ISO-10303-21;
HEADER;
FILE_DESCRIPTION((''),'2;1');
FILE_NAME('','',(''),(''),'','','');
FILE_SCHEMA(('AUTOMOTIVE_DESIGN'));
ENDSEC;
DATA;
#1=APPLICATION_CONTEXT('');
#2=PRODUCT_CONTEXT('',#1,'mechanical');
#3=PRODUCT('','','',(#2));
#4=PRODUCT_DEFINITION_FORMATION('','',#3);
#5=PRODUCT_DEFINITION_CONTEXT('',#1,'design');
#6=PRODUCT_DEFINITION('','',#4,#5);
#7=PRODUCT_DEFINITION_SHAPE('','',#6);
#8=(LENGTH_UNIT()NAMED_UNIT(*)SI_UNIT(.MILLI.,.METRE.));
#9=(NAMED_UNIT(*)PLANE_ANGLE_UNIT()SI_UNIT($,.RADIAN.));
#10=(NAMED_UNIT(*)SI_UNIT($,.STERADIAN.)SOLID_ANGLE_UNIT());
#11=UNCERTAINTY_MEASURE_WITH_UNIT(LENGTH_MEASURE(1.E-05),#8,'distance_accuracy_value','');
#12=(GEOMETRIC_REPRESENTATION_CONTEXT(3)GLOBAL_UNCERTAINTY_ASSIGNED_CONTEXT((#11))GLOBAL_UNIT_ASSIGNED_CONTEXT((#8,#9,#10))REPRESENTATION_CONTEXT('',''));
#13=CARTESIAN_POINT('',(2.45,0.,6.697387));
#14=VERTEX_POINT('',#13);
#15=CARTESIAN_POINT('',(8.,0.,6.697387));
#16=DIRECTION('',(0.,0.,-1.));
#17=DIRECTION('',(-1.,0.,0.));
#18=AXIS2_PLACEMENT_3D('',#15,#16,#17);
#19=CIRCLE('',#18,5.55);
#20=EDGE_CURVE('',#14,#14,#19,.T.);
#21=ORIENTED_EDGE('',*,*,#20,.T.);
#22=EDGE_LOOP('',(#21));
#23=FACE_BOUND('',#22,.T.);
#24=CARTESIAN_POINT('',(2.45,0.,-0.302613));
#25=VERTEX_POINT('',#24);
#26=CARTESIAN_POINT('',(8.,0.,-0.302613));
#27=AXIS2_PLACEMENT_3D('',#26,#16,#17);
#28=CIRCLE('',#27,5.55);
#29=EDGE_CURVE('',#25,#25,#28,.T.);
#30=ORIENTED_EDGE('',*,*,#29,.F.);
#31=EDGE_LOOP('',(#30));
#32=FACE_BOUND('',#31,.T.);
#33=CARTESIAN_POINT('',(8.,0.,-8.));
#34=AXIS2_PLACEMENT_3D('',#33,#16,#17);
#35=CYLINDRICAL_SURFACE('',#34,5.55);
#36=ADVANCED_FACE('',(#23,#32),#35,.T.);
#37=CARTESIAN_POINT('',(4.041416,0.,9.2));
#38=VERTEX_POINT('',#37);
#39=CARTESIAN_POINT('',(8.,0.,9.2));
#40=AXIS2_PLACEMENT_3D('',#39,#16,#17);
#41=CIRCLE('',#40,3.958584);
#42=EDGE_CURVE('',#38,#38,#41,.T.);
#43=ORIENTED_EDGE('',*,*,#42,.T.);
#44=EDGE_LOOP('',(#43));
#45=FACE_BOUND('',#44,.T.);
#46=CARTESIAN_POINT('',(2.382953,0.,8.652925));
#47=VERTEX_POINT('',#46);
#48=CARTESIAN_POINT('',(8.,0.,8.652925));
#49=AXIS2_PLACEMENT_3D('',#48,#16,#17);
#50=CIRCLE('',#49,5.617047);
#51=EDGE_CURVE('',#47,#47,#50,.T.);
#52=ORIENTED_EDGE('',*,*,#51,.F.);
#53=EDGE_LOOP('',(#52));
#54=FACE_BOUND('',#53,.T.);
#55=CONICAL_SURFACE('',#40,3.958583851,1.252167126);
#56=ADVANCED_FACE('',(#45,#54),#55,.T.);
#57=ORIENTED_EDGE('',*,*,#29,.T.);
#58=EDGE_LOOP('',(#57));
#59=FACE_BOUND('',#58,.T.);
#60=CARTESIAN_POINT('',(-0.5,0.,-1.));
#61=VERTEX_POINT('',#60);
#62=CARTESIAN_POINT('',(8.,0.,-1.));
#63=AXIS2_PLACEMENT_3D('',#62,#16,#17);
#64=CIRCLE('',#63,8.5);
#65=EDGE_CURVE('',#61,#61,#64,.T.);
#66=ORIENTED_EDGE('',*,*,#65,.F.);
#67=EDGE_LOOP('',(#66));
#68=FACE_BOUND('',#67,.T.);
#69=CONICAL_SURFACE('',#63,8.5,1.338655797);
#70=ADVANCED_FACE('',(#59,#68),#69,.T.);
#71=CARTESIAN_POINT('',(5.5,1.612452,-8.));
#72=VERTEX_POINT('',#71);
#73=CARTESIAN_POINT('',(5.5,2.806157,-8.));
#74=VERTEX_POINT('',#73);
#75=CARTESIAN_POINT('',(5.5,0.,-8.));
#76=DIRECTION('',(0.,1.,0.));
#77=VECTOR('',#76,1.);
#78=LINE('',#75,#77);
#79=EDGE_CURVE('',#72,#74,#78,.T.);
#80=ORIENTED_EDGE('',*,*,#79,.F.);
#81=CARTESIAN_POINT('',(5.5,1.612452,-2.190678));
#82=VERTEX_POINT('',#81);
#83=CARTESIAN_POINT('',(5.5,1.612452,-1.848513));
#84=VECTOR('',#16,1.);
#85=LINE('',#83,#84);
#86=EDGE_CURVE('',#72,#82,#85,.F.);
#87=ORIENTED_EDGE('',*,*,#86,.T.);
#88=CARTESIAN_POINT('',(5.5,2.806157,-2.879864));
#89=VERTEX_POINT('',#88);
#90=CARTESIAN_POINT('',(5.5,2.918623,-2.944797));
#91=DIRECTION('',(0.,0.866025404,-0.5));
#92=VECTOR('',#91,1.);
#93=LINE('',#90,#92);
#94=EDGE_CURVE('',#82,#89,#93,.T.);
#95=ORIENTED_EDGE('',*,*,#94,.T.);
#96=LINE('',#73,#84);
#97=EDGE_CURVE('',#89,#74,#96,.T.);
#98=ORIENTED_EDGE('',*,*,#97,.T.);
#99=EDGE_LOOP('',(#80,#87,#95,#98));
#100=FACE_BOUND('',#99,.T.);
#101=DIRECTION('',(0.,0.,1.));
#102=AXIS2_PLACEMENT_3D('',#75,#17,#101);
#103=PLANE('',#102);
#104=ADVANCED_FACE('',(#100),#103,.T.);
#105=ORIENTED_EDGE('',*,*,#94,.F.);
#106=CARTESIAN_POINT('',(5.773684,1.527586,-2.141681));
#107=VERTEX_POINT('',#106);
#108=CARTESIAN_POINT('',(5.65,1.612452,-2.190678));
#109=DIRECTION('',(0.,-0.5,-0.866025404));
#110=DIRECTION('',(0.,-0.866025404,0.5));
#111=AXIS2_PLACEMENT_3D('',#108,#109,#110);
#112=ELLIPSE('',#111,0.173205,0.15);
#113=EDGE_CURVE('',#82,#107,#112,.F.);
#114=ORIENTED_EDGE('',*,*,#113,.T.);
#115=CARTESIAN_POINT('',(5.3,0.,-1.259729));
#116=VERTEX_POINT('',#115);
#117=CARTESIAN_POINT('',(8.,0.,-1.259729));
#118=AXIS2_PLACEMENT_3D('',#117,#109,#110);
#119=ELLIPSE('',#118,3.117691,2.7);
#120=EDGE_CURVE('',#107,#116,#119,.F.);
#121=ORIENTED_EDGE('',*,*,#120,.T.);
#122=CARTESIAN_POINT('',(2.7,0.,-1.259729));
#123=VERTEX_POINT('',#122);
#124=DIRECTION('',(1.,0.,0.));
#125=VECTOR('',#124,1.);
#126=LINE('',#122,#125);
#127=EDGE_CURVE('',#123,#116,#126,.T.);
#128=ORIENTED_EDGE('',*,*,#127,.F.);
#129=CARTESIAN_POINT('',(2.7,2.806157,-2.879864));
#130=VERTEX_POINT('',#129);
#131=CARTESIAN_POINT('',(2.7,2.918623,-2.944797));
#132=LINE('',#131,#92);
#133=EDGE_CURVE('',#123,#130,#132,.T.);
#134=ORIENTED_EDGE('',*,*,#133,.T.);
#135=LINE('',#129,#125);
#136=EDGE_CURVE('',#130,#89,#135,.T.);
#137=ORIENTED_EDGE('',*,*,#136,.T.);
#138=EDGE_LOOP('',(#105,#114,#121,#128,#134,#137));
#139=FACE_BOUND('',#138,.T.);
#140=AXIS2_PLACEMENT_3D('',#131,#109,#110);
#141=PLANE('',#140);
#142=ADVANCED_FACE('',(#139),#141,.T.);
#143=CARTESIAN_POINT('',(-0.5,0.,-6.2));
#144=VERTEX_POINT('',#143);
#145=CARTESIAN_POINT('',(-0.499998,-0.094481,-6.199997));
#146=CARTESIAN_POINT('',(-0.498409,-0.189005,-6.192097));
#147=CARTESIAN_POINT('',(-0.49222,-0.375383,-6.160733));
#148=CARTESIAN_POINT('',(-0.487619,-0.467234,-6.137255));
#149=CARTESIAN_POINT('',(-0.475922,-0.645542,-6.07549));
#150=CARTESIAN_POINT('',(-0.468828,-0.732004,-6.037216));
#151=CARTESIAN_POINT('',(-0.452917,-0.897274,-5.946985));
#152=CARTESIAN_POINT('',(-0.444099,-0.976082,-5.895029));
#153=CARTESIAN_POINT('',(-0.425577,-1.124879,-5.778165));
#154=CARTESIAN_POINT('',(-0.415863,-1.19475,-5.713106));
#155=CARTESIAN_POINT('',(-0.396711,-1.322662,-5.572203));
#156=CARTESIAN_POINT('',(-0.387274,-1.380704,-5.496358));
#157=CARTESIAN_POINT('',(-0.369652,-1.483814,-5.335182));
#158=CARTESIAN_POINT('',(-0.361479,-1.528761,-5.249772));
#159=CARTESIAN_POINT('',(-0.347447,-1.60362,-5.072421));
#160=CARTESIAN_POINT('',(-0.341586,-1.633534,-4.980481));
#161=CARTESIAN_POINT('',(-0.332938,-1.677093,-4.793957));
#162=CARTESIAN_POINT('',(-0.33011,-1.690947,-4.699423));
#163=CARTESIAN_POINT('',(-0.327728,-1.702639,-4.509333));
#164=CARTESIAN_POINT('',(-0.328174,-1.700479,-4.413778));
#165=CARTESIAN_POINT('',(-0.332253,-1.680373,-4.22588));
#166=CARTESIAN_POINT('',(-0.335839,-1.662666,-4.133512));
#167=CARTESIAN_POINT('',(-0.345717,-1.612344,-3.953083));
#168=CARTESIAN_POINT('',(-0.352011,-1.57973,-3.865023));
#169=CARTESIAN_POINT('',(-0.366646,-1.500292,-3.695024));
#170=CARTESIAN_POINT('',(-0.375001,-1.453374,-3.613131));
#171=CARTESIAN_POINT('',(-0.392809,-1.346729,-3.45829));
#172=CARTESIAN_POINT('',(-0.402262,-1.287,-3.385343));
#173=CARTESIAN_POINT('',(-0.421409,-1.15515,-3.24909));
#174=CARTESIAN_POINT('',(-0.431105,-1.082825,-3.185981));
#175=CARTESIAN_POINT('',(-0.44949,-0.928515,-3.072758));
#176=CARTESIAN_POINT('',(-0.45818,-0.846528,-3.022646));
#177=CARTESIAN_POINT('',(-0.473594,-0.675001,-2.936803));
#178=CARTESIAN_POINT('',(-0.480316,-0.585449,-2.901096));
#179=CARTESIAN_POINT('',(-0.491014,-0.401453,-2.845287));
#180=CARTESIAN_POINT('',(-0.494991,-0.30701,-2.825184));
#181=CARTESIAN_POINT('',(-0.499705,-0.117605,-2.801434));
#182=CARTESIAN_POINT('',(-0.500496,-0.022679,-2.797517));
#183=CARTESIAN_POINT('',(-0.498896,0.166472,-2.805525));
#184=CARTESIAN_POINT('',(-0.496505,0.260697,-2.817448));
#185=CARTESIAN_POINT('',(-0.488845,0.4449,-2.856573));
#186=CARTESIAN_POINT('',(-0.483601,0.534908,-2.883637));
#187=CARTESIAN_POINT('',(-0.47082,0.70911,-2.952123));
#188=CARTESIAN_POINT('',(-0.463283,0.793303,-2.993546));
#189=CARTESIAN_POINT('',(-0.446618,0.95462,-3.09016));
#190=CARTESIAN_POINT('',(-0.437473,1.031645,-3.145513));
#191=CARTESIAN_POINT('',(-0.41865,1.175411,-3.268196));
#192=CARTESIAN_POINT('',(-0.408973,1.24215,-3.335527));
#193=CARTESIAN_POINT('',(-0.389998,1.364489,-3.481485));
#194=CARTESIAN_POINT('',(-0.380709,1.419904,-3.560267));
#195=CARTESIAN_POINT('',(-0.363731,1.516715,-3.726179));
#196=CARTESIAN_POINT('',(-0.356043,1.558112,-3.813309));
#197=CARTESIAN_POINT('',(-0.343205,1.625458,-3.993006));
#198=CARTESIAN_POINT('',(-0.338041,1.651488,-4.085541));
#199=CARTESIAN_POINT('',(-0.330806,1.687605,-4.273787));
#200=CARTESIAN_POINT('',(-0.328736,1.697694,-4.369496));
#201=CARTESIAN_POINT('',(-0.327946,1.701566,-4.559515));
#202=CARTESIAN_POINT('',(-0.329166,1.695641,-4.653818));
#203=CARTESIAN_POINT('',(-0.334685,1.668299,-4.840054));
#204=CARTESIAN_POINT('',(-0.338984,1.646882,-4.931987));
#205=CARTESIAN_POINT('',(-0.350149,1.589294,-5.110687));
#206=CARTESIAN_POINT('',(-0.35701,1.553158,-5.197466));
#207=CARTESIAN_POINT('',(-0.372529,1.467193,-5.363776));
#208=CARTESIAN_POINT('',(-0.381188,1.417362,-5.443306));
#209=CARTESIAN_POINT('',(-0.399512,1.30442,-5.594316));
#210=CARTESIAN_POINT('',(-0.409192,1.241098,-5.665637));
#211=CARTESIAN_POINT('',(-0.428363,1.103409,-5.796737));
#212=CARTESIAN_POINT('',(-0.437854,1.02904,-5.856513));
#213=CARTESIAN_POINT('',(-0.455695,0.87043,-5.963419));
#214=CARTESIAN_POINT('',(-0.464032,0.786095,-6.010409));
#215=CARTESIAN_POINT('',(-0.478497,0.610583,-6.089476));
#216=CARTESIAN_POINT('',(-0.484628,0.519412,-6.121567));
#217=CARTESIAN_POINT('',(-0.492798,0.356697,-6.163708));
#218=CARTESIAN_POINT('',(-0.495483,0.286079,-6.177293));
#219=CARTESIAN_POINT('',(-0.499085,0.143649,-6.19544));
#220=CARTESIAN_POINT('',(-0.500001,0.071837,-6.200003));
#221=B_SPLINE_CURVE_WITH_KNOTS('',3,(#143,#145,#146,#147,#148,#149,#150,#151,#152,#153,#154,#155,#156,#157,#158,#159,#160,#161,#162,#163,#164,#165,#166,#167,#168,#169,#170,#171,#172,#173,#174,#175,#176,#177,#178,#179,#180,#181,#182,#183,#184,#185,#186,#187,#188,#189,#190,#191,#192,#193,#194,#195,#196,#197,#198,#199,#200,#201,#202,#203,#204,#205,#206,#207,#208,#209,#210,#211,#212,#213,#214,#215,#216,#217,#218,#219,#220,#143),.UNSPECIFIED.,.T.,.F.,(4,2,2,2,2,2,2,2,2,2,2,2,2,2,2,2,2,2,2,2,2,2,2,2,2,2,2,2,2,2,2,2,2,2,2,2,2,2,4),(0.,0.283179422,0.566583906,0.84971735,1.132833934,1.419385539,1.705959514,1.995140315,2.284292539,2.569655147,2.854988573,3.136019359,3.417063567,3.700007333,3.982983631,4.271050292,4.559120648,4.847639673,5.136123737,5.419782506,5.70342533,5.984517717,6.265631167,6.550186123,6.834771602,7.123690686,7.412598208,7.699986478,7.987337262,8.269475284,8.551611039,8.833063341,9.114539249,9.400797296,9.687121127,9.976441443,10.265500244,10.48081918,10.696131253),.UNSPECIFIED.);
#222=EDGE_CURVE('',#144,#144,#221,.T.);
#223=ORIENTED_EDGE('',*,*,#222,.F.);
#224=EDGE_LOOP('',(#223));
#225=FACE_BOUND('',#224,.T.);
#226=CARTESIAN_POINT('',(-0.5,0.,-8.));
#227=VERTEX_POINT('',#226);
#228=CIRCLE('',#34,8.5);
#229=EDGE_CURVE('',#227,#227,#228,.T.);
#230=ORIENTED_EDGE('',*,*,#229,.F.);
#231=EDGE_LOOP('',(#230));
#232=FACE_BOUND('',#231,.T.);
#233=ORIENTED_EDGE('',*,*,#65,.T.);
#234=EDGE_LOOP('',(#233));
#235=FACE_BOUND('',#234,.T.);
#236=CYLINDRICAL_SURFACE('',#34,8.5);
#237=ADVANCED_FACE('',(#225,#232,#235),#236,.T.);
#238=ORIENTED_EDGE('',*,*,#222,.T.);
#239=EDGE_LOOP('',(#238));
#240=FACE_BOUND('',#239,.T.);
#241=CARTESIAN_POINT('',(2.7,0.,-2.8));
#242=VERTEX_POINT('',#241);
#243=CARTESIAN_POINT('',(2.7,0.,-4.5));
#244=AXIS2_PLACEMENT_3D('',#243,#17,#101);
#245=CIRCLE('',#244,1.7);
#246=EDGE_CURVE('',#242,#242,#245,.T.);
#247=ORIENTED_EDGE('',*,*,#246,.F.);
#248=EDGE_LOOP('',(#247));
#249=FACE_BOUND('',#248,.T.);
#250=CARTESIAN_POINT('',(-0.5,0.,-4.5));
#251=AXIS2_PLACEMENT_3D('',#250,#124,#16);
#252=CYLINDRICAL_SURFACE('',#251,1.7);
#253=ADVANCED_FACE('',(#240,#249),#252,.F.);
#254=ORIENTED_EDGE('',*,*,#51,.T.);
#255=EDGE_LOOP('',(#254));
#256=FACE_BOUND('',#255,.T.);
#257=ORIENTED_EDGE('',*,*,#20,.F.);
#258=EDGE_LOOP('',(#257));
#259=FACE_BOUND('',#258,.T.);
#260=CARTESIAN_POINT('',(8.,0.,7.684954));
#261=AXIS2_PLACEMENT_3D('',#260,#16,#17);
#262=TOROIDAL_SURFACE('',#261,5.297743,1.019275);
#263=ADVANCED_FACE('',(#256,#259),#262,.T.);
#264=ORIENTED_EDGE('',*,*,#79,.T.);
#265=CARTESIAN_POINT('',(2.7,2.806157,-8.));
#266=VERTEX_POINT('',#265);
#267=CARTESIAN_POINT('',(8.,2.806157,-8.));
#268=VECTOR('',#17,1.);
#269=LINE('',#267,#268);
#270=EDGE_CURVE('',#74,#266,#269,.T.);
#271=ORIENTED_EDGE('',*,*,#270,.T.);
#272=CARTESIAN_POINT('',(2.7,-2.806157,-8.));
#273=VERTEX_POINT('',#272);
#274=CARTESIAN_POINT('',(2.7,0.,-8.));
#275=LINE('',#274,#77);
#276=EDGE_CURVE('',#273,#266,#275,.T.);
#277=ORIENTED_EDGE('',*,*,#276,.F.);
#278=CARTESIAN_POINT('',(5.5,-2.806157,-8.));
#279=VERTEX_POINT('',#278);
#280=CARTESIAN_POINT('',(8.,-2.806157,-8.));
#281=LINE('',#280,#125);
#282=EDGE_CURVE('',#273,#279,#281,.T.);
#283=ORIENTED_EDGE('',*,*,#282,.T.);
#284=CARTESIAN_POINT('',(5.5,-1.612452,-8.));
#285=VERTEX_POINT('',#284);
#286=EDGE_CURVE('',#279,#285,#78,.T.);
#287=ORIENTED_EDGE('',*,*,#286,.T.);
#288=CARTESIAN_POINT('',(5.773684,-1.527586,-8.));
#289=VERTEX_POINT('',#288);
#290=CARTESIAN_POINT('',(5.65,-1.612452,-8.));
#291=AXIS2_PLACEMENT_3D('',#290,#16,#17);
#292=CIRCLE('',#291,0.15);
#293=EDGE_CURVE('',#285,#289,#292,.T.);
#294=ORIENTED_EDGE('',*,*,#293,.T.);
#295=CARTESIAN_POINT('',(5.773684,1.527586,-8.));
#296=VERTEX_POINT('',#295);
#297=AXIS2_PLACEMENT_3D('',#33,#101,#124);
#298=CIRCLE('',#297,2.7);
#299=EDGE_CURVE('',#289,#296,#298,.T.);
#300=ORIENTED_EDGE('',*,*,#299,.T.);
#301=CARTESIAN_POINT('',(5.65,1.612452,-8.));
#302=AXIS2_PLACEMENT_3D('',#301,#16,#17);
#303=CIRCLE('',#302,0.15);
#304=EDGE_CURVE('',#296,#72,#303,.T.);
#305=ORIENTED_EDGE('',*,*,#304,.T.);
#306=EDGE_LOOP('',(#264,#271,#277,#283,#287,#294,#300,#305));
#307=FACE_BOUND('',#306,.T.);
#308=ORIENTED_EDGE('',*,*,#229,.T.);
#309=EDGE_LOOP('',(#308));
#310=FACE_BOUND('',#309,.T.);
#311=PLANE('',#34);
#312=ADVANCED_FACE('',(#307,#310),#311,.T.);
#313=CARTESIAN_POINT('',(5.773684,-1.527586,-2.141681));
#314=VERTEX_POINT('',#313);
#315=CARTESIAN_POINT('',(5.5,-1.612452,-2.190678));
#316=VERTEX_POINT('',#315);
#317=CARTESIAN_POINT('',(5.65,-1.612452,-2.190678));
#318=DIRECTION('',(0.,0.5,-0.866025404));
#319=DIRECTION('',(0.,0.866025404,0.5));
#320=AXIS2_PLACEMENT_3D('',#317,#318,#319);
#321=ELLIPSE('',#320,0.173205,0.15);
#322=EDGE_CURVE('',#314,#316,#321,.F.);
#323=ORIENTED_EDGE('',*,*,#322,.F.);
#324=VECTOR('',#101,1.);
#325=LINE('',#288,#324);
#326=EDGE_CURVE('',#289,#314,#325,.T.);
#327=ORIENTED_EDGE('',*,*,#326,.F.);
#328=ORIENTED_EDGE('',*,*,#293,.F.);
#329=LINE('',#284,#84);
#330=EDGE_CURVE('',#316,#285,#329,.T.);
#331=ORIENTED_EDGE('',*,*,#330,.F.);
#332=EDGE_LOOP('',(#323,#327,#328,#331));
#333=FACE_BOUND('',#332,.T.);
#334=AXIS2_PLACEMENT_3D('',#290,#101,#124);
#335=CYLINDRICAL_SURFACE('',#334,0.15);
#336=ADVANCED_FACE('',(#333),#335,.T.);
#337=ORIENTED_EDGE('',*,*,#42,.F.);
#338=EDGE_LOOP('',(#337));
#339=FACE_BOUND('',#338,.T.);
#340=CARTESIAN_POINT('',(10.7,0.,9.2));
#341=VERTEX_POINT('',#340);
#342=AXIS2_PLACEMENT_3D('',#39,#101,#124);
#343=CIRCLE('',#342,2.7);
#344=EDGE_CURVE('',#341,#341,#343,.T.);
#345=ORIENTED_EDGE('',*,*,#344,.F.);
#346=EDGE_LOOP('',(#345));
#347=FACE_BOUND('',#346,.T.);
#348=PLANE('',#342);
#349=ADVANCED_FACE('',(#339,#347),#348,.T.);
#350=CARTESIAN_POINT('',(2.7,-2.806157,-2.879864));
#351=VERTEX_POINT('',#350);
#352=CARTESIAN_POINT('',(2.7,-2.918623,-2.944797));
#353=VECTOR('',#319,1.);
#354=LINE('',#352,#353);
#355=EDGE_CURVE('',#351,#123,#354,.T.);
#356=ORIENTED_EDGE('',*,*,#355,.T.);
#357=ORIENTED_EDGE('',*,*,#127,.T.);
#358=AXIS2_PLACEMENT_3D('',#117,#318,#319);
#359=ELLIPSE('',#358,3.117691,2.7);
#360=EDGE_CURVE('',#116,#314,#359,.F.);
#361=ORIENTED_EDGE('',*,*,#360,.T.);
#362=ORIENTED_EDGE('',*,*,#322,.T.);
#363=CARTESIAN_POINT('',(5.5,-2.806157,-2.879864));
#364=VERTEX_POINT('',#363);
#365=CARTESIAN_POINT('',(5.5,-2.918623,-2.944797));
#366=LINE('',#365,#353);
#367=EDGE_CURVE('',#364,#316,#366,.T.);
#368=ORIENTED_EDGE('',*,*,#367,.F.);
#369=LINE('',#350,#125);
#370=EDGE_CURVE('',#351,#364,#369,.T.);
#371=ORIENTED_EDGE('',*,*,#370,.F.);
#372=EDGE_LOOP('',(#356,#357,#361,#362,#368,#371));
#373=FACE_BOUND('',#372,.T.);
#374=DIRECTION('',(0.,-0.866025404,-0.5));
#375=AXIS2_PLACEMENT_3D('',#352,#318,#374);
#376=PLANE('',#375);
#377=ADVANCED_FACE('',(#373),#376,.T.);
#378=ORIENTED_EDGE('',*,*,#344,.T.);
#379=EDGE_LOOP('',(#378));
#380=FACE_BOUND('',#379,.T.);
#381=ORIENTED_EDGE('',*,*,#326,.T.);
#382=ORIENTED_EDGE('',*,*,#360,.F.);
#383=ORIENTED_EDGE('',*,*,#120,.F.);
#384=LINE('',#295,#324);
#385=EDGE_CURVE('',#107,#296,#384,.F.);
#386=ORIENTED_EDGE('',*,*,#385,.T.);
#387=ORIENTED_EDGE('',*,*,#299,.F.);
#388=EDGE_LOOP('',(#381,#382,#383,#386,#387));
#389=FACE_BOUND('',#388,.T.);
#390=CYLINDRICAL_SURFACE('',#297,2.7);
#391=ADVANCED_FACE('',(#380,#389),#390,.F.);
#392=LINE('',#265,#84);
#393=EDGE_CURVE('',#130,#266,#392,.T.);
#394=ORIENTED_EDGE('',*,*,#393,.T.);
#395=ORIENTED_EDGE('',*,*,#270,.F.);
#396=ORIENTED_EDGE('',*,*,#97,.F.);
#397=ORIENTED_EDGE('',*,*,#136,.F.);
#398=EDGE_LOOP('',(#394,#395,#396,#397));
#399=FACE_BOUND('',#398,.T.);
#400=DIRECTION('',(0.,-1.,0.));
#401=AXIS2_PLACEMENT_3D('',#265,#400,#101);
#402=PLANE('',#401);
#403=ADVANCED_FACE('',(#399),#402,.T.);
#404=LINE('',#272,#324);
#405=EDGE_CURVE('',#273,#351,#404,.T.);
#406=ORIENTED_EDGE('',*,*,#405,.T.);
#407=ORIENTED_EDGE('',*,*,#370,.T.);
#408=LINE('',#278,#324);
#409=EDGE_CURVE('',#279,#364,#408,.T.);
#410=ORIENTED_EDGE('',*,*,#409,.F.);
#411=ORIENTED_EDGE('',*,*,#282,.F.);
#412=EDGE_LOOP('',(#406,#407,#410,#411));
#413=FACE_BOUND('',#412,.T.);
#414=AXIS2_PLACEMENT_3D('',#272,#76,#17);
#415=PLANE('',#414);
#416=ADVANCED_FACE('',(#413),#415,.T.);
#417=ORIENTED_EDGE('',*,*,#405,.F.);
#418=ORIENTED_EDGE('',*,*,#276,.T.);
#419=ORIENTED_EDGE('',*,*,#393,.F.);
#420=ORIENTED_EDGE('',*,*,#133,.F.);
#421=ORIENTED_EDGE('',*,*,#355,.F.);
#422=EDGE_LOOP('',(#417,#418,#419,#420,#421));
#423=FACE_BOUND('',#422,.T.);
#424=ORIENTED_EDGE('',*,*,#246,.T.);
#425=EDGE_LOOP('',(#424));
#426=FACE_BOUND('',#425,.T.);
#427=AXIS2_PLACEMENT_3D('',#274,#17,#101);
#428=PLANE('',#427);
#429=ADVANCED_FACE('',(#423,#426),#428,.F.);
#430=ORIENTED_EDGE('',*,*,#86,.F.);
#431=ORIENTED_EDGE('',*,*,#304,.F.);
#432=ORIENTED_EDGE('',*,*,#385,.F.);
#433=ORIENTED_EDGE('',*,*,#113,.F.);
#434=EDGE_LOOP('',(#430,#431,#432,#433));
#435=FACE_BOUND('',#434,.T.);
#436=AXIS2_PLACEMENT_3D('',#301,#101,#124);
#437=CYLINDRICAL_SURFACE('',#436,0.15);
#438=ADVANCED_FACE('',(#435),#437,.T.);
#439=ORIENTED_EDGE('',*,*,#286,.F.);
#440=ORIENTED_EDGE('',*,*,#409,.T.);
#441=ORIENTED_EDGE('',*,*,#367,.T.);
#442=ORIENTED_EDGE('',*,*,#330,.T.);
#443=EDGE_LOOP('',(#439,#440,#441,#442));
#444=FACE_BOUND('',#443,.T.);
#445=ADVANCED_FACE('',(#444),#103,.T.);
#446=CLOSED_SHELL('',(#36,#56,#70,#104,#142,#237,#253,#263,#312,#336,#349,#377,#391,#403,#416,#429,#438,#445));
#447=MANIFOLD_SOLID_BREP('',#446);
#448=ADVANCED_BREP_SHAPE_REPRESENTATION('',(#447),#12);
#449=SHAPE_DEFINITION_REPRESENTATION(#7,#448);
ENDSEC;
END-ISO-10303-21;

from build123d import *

# Parameters (mm, degrees)
BORE_START          = 1
SKETCH_2_R          = 2.7
BORE_DEPTH          = 22.98427983
FIX_START           = 3.2
SKETCH_4_R          = 1.7
FIX_2_DEPTH         = 18.78427983
CUT_EXTRUDE_START   = 2.5
CUT_EXTRUDE_1_DEPTH = 2.8
MOVE_BODY_1_ANGLE   = 90
FILLET_1_R          = 0.15


with BuildPart() as part:
    # Эскиз1 → Body (revolve)
    with BuildSketch(Plane.XY):
        with BuildLine():
            Line((0, 8.5), (0, 0))
            Line((0, 0), (17.2, 0))
            Line((17.2, 0), (17.2, 3.958583851))
            Line((17.2, 3.958583851), (16.652924896, 5.61704678))
            ThreePointArc((16.652924896, 5.61704678), (15.650028154, 6.31642018), (14.697387016, 5.55))
            Line((14.697387016, 5.55), (7.697387016, 5.55))
            Line((7.697387016, 5.55), (7, 8.5))
            Line((7, 8.5), (0, 8.5))
        make_face()
    revolve(axis=Axis((0, 0, 0), (1, 0, 0)))

    # Эскиз2 → Bore (cut, through all)
    with BuildSketch(Plane(origin=(17.2, 0, 0), x_dir=(0, 0, -1), z_dir=(1, 0, 0)).offset(BORE_START)):
        Circle(SKETCH_2_R)
    extrude(amount=-BORE_DEPTH, mode=Mode.SUBTRACT)

    # Эскиз4 → Fix 2 (cut, through all)
    with BuildSketch(Plane.XY.offset(FIX_START)):
        with Locations((3.5, 0)):
            Circle(SKETCH_4_R)
    extrude(amount=FIX_2_DEPTH, mode=Mode.SUBTRACT)

    # Эскиз4<3> → Вырез-Вытянуть1 (cut)
    with BuildSketch(Plane.XY.offset(CUT_EXTRUDE_START)):
        Polygon((5.120135639, 2.806157241), (-1.112463997, 2.806157241), (-1.112463997, -2.806157241), (5.120135639, -2.806157241), (6.740271277, 0), align=None)
    extrude(amount=CUT_EXTRUDE_1_DEPTH, mode=Mode.SUBTRACT)


with BuildPart() as part_1:
    # Move Body 1: moved
    add(part.part.rotate(Axis((8, 0, 0), (0, -1, 0)), MOVE_BODY_1_ANGLE))

    # Скругление1
    fillet_1_edges = [part_1.edges().sort_by_distance(p)[0] for p in [
        (5.5, -1.019803903, -4.92425639),
        (5.5, 1.019803903, -4.92425639),
    ]]
    fillet(fillet_1_edges, radius=FILLET_1_R)


solid = part_1.part
